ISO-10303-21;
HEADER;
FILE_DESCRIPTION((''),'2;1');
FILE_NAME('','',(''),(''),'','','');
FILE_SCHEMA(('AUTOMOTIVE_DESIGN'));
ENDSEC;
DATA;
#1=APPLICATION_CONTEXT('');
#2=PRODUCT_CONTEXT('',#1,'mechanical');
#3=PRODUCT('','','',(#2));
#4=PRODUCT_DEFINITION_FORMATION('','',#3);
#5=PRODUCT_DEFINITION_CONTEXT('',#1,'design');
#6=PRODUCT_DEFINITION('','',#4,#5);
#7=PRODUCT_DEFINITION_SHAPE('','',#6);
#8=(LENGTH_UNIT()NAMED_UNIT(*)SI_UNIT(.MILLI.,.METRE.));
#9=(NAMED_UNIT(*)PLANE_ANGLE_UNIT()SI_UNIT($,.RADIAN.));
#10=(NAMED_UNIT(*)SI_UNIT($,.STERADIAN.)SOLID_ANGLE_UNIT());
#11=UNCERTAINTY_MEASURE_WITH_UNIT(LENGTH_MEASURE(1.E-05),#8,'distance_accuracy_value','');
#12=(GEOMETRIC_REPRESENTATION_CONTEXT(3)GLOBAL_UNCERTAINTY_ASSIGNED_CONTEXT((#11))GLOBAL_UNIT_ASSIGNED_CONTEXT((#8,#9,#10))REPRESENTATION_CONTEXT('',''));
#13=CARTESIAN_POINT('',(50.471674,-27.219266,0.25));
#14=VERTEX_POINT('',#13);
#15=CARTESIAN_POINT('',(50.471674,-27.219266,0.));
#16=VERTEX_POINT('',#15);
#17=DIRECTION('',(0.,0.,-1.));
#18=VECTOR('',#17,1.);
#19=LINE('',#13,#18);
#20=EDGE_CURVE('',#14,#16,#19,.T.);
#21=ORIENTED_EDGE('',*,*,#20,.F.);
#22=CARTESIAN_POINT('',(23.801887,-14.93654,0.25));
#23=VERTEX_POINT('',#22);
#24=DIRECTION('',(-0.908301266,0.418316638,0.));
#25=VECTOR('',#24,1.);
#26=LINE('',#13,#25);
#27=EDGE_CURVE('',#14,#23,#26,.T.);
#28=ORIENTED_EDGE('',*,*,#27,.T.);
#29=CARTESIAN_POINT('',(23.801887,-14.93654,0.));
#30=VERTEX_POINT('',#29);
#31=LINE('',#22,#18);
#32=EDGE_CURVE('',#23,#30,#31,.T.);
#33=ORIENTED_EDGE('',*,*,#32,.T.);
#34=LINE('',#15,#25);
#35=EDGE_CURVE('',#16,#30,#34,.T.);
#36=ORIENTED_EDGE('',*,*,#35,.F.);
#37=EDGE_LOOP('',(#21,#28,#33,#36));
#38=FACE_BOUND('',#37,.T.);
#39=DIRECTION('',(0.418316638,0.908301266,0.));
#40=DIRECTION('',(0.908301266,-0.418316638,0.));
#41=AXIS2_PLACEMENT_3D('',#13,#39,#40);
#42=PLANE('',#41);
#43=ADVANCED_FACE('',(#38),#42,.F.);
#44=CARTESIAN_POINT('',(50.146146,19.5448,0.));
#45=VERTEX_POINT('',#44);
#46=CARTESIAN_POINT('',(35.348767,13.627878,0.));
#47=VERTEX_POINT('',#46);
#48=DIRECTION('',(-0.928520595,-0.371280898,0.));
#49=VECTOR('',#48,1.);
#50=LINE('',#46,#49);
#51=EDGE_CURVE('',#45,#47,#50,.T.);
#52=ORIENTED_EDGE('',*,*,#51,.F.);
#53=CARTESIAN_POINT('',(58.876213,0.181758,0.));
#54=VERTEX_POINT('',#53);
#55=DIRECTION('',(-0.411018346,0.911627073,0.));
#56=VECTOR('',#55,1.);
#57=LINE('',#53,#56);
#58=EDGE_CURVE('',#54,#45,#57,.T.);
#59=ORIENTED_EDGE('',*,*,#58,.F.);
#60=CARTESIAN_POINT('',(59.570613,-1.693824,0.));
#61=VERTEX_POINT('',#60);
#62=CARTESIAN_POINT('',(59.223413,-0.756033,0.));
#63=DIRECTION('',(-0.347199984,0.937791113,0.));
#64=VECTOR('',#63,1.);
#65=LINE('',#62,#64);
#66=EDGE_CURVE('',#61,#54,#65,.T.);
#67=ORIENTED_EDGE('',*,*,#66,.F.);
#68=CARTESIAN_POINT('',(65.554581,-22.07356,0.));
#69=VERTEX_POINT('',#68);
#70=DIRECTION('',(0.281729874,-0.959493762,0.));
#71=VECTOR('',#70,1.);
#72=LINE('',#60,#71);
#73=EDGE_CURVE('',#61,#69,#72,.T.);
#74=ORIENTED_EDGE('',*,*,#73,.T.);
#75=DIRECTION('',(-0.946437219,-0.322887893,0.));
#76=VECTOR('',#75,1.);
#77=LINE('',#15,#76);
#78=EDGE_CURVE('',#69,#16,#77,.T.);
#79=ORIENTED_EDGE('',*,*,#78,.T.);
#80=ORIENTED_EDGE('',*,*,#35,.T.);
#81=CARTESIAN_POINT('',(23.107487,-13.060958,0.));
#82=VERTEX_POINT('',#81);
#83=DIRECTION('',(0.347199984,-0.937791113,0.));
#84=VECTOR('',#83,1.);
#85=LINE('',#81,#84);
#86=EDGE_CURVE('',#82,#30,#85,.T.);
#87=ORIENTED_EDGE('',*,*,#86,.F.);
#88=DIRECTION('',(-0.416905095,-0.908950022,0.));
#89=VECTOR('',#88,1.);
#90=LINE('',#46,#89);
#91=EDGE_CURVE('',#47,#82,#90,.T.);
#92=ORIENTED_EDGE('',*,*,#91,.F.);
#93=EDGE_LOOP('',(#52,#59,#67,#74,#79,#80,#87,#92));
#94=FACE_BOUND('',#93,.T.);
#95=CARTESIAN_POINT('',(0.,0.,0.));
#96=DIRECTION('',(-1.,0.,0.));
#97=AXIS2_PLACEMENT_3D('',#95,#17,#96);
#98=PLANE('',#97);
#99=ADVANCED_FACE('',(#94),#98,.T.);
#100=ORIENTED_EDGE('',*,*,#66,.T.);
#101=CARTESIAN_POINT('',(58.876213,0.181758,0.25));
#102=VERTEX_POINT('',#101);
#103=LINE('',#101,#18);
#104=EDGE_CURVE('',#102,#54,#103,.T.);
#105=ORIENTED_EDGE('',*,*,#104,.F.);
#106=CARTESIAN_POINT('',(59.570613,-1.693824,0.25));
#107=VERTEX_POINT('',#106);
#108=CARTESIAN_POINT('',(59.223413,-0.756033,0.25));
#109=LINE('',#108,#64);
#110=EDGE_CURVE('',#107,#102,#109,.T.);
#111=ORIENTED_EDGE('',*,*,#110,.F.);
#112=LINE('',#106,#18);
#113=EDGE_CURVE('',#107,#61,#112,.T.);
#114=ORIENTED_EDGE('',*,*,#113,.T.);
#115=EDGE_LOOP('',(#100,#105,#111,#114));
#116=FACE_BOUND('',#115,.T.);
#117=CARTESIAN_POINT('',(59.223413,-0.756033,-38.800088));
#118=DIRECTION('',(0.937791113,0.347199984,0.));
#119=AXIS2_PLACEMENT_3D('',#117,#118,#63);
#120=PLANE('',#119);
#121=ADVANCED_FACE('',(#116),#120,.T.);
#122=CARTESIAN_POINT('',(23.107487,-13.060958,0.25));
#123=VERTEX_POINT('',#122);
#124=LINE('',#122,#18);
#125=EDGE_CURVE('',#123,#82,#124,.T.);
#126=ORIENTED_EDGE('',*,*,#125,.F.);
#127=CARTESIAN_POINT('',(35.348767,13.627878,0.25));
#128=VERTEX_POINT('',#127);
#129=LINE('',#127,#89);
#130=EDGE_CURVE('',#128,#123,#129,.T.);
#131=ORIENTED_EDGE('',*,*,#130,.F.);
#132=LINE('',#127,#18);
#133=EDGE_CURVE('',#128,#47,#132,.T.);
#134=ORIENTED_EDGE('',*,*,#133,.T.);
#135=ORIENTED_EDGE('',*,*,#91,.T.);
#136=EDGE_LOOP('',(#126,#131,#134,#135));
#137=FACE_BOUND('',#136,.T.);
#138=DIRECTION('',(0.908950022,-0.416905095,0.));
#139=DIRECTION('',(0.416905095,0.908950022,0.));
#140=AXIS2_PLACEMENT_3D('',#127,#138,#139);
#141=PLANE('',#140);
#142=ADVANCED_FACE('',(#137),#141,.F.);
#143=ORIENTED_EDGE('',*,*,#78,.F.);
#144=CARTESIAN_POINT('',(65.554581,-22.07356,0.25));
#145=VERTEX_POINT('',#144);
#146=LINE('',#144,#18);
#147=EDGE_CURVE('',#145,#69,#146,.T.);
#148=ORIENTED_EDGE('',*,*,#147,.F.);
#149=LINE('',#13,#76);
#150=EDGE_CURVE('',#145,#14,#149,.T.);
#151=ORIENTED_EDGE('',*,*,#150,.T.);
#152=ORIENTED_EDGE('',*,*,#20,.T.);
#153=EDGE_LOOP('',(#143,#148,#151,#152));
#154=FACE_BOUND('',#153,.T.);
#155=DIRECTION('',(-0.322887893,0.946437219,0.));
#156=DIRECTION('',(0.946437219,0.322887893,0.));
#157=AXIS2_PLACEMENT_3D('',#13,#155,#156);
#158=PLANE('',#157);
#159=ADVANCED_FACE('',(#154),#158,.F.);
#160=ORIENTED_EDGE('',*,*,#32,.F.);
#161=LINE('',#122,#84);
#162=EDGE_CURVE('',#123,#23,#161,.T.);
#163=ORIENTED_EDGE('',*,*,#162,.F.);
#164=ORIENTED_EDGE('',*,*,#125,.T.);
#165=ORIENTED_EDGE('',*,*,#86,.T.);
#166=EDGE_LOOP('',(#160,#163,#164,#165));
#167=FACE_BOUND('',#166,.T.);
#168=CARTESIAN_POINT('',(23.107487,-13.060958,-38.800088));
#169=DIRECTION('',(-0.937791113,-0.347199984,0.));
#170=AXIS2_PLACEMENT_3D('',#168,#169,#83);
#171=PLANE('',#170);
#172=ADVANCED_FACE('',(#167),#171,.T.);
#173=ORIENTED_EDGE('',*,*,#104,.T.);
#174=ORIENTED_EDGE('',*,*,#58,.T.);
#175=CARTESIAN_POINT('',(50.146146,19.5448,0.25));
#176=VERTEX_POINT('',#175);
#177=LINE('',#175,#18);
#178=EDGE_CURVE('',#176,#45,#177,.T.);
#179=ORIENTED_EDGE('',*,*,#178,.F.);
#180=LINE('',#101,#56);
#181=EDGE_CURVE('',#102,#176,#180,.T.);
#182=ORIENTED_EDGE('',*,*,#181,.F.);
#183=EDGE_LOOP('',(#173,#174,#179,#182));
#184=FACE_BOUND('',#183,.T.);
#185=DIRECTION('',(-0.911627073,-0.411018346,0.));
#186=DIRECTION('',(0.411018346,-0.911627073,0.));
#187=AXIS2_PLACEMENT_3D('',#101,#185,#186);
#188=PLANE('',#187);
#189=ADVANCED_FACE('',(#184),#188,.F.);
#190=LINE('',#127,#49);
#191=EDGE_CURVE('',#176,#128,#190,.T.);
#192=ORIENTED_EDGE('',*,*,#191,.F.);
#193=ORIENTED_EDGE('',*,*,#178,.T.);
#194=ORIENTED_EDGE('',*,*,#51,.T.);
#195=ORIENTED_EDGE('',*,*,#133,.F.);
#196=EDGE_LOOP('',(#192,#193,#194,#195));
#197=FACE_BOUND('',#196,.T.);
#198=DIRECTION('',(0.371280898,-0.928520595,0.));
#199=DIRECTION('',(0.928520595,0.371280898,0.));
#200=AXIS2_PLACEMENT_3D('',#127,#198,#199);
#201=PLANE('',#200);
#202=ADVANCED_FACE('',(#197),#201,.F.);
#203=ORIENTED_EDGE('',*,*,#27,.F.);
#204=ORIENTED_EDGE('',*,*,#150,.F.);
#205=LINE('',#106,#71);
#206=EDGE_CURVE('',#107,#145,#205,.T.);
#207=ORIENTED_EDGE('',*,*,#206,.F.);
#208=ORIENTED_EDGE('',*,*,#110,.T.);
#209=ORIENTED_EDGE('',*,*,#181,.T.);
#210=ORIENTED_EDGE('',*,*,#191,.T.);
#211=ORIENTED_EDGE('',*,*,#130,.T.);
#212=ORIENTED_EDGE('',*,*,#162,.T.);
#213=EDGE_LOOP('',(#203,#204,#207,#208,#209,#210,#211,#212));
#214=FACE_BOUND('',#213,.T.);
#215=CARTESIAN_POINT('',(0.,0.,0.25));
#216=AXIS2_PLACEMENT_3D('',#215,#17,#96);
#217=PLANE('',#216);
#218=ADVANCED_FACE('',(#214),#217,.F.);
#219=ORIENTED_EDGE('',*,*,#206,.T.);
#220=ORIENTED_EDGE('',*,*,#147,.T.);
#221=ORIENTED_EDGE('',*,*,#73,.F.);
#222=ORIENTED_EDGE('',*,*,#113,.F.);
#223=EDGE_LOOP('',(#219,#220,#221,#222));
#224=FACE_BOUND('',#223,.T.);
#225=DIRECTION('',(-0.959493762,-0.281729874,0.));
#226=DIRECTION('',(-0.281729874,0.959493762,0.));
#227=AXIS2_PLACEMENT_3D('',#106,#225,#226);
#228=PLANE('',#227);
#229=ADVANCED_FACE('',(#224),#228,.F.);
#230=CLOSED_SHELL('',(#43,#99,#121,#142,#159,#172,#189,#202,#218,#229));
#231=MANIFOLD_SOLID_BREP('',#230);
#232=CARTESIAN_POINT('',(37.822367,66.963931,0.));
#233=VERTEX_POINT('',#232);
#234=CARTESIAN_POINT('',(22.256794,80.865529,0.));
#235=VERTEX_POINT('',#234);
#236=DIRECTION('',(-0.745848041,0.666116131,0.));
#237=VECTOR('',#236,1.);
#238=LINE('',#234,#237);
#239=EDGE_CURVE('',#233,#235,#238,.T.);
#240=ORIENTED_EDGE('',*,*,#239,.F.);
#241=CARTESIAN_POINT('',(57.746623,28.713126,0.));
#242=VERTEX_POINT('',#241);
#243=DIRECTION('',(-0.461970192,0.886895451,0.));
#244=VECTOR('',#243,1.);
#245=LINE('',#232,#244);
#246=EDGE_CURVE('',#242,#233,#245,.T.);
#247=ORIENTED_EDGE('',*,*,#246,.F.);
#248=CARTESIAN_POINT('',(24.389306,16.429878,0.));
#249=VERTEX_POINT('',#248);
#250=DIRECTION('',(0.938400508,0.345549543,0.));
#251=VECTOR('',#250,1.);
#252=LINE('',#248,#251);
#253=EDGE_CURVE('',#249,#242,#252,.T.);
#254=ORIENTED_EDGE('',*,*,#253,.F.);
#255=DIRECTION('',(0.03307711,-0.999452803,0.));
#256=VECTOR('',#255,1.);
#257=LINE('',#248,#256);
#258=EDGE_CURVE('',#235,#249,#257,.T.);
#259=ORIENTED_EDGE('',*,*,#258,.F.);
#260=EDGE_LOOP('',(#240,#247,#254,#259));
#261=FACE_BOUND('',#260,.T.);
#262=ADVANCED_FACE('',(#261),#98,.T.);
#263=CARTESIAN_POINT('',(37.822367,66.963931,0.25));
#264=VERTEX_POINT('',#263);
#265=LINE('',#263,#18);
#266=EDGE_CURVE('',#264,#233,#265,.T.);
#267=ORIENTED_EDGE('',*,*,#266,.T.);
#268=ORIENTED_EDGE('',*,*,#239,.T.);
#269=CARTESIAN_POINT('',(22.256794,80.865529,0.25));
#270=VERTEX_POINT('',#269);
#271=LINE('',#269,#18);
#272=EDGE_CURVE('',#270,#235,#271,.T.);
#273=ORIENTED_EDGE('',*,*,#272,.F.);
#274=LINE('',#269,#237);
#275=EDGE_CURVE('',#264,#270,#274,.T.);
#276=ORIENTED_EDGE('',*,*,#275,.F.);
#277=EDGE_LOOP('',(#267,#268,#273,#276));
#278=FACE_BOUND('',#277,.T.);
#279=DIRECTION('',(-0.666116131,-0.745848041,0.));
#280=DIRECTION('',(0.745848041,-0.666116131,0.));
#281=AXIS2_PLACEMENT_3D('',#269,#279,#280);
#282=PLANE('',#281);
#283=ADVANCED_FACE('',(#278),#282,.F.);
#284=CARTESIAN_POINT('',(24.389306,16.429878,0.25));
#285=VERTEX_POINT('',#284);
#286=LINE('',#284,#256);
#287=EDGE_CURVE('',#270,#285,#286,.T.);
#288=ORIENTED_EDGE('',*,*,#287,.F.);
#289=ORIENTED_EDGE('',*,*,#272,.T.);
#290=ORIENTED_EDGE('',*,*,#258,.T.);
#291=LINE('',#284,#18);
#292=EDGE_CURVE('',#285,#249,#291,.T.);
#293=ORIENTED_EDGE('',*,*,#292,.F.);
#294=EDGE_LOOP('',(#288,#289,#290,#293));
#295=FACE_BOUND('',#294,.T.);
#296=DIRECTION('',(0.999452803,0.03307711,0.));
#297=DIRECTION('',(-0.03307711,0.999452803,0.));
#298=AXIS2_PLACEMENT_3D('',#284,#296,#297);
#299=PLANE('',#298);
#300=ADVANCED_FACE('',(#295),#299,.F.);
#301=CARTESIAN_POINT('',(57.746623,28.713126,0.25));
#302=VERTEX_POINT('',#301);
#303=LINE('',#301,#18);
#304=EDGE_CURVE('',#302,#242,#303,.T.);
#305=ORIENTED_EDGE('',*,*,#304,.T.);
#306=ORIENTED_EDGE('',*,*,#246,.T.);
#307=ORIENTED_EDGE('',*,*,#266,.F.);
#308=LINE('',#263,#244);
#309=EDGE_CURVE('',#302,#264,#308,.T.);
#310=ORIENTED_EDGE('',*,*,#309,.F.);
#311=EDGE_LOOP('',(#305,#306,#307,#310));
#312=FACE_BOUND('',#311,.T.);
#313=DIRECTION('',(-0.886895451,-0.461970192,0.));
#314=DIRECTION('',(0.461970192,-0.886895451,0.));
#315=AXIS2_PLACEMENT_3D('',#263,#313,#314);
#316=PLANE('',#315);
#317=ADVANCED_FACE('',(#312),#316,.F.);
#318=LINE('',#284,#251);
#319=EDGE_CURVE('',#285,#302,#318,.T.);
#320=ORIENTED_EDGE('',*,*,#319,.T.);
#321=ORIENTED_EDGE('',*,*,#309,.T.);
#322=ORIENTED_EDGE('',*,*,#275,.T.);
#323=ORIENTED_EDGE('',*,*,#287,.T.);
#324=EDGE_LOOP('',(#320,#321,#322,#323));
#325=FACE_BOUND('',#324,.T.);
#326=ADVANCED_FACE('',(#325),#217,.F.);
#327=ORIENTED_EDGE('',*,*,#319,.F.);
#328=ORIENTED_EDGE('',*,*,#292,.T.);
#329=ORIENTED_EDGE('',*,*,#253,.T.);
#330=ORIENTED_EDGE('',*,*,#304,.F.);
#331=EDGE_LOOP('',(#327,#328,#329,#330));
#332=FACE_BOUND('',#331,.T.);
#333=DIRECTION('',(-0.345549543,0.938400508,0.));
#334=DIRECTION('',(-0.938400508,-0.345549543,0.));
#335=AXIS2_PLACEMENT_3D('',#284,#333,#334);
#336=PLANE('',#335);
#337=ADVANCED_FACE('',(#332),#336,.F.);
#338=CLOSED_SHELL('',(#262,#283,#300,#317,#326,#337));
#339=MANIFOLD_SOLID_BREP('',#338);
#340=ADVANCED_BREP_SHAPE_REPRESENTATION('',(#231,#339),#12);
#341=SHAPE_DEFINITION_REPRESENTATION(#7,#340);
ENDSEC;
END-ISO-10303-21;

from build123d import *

# Parameters (mm, degrees)
BOSS_EXTRUDE1_DEPTH = 0.25
BOSS_EXTRUDE2_DEPTH = 0.25
BOSS_EXTRUDE3_DEPTH = 0.25


with BuildPart() as part:
    # Sketch3 → Boss-Extrude1 (new body)
    with BuildSketch(Plane.XY):
        Polygon((24.389305686, 16.429878113), (57.746622867, 28.713125646), (37.822366733, 66.963931479), (22.25679364, 80.865529077), align=None)
    extrude(amount=BOSS_EXTRUDE1_DEPTH)


with BuildPart() as body_2:
    # Sketch6 → Boss-Extrude2 (new body)
    with BuildSketch(Plane.XY):
        Polygon((23.107487467, -13.060957638), (58.876213079, 0.181757913), (50.146145837, 19.544800291), (35.348767399, 13.627878274), align=None)
    extrude(amount=BOSS_EXTRUDE2_DEPTH)

    # Sketch7 → Boss-Extrude3 (add)
    with BuildSketch(Plane.XY.offset(0.25)):
        Polygon((23.107487467, -13.060957638), (23.454687451, -13.998748751), (59.223413063, -0.7560332), (58.876213079, 0.181757913), align=None)
    extrude(amount=-BOSS_EXTRUDE3_DEPTH)

    # Mirror1: body 2 across plane


with BuildPart() as body_2_1:
    add(body_2.part)
    add(body_2.part.mirror(Plane(origin=(23.454687451, -13.998748751, -38.800088285), x_dir=(0, 0, 1), z_dir=(0.34719998380497613, -0.9377911127995532, 0))))


solid = Compound([part.part, body_2_1.part])
